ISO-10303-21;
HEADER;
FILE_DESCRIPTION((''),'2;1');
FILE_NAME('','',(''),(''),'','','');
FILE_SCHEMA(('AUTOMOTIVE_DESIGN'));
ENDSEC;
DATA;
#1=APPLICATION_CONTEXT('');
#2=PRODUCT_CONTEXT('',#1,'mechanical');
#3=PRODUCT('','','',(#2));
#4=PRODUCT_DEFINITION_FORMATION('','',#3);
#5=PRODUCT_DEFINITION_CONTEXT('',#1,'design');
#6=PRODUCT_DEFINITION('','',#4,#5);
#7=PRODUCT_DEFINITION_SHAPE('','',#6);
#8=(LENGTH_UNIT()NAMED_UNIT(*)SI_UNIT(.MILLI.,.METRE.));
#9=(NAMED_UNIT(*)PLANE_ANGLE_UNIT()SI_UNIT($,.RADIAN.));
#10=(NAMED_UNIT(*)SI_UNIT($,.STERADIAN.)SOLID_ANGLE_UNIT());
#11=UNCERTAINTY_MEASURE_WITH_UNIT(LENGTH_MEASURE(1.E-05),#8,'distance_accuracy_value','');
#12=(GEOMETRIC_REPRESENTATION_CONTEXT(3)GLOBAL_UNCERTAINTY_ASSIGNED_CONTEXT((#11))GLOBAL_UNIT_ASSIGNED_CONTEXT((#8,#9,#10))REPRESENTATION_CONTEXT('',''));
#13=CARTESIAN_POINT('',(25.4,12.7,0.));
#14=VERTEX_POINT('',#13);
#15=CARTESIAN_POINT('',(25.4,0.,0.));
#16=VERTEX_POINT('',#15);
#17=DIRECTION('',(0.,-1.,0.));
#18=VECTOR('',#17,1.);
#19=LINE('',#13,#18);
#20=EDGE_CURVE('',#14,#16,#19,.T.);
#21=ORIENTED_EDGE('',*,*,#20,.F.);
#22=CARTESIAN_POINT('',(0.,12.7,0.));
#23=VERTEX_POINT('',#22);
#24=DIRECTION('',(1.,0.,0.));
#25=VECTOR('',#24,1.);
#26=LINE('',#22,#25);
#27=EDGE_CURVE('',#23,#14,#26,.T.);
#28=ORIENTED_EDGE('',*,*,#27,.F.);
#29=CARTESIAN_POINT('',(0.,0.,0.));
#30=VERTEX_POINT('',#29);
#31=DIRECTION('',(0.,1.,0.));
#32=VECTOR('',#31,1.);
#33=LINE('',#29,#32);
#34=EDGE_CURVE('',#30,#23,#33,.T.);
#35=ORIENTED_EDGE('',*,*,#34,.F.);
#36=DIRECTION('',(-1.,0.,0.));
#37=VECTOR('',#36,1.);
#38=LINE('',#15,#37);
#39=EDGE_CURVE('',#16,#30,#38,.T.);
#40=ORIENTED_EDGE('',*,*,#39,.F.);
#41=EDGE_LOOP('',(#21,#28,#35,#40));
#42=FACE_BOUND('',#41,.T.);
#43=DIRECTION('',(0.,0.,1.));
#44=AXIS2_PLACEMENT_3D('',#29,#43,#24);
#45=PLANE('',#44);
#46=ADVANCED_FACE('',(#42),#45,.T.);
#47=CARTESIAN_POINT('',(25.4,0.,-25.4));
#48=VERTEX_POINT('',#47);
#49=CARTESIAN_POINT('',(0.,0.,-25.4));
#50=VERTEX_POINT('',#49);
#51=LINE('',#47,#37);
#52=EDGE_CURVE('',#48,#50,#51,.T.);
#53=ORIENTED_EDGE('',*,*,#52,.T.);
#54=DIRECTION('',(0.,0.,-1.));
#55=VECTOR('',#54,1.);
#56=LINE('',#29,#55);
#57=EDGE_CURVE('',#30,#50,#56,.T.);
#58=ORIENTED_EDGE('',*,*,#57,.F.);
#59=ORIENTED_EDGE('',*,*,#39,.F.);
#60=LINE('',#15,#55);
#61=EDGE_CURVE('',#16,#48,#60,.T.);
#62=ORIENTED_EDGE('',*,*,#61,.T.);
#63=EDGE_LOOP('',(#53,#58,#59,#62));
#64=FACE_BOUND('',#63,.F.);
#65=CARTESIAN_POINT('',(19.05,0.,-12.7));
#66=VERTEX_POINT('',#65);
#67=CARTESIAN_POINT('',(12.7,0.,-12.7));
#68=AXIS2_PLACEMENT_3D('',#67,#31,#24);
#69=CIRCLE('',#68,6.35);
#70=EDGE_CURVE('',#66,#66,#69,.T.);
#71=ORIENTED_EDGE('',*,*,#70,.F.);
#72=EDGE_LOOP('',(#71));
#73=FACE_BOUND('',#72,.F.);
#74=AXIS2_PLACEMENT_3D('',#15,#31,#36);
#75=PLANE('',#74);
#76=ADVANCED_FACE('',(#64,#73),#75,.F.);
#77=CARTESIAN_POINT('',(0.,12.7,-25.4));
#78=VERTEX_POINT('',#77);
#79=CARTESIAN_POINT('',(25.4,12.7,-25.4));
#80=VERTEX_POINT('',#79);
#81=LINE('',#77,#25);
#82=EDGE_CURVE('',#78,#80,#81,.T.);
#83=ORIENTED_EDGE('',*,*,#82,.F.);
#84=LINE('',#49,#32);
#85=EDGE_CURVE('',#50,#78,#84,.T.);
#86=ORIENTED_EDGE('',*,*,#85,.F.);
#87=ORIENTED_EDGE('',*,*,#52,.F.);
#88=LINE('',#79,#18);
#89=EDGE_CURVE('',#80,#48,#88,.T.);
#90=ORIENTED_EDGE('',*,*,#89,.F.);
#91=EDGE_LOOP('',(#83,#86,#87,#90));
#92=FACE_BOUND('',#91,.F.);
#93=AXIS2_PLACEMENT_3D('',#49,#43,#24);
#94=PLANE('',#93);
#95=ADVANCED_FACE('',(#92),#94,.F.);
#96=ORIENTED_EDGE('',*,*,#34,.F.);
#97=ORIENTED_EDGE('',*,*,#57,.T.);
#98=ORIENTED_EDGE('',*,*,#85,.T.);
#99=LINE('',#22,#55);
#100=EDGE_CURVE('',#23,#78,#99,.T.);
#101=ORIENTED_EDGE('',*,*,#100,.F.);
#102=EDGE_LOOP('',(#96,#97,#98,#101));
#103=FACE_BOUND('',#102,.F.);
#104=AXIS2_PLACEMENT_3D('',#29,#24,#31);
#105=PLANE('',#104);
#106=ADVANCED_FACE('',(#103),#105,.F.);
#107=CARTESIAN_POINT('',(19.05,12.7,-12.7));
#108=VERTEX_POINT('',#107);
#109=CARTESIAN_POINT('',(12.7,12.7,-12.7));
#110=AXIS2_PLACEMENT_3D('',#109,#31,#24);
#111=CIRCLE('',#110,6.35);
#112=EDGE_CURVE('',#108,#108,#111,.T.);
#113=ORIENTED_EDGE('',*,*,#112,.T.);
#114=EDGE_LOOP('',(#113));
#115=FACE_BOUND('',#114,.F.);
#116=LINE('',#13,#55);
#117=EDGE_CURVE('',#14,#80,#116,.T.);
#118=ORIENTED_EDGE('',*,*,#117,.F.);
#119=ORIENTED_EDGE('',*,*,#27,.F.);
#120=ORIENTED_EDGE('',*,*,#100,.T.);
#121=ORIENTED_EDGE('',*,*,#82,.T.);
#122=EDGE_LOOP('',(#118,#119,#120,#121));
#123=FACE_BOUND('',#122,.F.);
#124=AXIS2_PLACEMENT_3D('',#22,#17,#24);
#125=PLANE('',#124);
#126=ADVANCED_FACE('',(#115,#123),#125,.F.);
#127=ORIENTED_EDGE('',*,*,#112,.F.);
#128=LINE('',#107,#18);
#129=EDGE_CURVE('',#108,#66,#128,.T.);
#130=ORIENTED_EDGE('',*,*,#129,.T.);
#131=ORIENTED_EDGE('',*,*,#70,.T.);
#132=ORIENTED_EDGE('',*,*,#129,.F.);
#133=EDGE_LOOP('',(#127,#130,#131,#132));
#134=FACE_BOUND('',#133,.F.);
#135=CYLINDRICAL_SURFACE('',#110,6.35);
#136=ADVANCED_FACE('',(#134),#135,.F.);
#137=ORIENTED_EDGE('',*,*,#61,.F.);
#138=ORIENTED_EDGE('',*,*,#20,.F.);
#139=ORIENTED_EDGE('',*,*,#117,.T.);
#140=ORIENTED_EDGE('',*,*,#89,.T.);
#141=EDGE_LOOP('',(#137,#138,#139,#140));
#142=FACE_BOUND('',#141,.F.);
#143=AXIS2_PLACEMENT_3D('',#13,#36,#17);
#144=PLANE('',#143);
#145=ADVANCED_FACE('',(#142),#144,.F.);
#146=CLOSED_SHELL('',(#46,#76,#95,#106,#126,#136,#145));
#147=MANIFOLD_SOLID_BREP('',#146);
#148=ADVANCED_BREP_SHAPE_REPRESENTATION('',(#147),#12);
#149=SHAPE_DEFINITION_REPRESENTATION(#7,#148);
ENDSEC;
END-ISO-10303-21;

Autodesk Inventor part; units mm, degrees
ref_plane "YZ Plane" through (0, 0, 0) normal (1, 0, 0) x (0, 1, 0)
ref_plane "XZ Plane" through (0, 0, 0) normal (0, 1, 0) x (-1, 0, 0)
ref_plane "XY Plane" through (0, 0, 0) normal (0, 0, 1) x (1, 0, 0)
sketch "Sketch1" plane through (0, 0, 0) normal (0, 0, 1) x (1, 0, 0)
  line L0 (0, 0) -> (0, 12.7)
  line L1 (0, 12.7) -> (25.4, 12.7)
  line L2 (25.4, 12.7) -> (25.4, 0)
  line L3 (25.4, 0) -> (0, 0)
  dimension "d0" = 12.7
  dimension "d1" = 25.4
extrude "Extrusion1" add sketch "Sketch1" against normal blind 25.4
sketch "Sketch2" plane through (0, 12.7, 0) normal (0, 1, 0) x (1, 0, 0)
  line L0 (0, 0) -> (12.7, 0) construction
  line L1 (0, 0) -> (25.4, 0) construction
  line L2 (12.7, 0) -> (12.7, 12.7) construction
  circle A0 centre (12.7, 12.7) radius 6.35
  dimension "d4" = 12.7
  dimension "d5" = 12.7
extrude "Extrusion2" cut sketch "Sketch2" against normal blind 15.875
sketch "Sketch3" plane through (0, 12.7, 0) normal (0, 1, 0) x (1, 0, 0)
  point P0 (0, 0)
